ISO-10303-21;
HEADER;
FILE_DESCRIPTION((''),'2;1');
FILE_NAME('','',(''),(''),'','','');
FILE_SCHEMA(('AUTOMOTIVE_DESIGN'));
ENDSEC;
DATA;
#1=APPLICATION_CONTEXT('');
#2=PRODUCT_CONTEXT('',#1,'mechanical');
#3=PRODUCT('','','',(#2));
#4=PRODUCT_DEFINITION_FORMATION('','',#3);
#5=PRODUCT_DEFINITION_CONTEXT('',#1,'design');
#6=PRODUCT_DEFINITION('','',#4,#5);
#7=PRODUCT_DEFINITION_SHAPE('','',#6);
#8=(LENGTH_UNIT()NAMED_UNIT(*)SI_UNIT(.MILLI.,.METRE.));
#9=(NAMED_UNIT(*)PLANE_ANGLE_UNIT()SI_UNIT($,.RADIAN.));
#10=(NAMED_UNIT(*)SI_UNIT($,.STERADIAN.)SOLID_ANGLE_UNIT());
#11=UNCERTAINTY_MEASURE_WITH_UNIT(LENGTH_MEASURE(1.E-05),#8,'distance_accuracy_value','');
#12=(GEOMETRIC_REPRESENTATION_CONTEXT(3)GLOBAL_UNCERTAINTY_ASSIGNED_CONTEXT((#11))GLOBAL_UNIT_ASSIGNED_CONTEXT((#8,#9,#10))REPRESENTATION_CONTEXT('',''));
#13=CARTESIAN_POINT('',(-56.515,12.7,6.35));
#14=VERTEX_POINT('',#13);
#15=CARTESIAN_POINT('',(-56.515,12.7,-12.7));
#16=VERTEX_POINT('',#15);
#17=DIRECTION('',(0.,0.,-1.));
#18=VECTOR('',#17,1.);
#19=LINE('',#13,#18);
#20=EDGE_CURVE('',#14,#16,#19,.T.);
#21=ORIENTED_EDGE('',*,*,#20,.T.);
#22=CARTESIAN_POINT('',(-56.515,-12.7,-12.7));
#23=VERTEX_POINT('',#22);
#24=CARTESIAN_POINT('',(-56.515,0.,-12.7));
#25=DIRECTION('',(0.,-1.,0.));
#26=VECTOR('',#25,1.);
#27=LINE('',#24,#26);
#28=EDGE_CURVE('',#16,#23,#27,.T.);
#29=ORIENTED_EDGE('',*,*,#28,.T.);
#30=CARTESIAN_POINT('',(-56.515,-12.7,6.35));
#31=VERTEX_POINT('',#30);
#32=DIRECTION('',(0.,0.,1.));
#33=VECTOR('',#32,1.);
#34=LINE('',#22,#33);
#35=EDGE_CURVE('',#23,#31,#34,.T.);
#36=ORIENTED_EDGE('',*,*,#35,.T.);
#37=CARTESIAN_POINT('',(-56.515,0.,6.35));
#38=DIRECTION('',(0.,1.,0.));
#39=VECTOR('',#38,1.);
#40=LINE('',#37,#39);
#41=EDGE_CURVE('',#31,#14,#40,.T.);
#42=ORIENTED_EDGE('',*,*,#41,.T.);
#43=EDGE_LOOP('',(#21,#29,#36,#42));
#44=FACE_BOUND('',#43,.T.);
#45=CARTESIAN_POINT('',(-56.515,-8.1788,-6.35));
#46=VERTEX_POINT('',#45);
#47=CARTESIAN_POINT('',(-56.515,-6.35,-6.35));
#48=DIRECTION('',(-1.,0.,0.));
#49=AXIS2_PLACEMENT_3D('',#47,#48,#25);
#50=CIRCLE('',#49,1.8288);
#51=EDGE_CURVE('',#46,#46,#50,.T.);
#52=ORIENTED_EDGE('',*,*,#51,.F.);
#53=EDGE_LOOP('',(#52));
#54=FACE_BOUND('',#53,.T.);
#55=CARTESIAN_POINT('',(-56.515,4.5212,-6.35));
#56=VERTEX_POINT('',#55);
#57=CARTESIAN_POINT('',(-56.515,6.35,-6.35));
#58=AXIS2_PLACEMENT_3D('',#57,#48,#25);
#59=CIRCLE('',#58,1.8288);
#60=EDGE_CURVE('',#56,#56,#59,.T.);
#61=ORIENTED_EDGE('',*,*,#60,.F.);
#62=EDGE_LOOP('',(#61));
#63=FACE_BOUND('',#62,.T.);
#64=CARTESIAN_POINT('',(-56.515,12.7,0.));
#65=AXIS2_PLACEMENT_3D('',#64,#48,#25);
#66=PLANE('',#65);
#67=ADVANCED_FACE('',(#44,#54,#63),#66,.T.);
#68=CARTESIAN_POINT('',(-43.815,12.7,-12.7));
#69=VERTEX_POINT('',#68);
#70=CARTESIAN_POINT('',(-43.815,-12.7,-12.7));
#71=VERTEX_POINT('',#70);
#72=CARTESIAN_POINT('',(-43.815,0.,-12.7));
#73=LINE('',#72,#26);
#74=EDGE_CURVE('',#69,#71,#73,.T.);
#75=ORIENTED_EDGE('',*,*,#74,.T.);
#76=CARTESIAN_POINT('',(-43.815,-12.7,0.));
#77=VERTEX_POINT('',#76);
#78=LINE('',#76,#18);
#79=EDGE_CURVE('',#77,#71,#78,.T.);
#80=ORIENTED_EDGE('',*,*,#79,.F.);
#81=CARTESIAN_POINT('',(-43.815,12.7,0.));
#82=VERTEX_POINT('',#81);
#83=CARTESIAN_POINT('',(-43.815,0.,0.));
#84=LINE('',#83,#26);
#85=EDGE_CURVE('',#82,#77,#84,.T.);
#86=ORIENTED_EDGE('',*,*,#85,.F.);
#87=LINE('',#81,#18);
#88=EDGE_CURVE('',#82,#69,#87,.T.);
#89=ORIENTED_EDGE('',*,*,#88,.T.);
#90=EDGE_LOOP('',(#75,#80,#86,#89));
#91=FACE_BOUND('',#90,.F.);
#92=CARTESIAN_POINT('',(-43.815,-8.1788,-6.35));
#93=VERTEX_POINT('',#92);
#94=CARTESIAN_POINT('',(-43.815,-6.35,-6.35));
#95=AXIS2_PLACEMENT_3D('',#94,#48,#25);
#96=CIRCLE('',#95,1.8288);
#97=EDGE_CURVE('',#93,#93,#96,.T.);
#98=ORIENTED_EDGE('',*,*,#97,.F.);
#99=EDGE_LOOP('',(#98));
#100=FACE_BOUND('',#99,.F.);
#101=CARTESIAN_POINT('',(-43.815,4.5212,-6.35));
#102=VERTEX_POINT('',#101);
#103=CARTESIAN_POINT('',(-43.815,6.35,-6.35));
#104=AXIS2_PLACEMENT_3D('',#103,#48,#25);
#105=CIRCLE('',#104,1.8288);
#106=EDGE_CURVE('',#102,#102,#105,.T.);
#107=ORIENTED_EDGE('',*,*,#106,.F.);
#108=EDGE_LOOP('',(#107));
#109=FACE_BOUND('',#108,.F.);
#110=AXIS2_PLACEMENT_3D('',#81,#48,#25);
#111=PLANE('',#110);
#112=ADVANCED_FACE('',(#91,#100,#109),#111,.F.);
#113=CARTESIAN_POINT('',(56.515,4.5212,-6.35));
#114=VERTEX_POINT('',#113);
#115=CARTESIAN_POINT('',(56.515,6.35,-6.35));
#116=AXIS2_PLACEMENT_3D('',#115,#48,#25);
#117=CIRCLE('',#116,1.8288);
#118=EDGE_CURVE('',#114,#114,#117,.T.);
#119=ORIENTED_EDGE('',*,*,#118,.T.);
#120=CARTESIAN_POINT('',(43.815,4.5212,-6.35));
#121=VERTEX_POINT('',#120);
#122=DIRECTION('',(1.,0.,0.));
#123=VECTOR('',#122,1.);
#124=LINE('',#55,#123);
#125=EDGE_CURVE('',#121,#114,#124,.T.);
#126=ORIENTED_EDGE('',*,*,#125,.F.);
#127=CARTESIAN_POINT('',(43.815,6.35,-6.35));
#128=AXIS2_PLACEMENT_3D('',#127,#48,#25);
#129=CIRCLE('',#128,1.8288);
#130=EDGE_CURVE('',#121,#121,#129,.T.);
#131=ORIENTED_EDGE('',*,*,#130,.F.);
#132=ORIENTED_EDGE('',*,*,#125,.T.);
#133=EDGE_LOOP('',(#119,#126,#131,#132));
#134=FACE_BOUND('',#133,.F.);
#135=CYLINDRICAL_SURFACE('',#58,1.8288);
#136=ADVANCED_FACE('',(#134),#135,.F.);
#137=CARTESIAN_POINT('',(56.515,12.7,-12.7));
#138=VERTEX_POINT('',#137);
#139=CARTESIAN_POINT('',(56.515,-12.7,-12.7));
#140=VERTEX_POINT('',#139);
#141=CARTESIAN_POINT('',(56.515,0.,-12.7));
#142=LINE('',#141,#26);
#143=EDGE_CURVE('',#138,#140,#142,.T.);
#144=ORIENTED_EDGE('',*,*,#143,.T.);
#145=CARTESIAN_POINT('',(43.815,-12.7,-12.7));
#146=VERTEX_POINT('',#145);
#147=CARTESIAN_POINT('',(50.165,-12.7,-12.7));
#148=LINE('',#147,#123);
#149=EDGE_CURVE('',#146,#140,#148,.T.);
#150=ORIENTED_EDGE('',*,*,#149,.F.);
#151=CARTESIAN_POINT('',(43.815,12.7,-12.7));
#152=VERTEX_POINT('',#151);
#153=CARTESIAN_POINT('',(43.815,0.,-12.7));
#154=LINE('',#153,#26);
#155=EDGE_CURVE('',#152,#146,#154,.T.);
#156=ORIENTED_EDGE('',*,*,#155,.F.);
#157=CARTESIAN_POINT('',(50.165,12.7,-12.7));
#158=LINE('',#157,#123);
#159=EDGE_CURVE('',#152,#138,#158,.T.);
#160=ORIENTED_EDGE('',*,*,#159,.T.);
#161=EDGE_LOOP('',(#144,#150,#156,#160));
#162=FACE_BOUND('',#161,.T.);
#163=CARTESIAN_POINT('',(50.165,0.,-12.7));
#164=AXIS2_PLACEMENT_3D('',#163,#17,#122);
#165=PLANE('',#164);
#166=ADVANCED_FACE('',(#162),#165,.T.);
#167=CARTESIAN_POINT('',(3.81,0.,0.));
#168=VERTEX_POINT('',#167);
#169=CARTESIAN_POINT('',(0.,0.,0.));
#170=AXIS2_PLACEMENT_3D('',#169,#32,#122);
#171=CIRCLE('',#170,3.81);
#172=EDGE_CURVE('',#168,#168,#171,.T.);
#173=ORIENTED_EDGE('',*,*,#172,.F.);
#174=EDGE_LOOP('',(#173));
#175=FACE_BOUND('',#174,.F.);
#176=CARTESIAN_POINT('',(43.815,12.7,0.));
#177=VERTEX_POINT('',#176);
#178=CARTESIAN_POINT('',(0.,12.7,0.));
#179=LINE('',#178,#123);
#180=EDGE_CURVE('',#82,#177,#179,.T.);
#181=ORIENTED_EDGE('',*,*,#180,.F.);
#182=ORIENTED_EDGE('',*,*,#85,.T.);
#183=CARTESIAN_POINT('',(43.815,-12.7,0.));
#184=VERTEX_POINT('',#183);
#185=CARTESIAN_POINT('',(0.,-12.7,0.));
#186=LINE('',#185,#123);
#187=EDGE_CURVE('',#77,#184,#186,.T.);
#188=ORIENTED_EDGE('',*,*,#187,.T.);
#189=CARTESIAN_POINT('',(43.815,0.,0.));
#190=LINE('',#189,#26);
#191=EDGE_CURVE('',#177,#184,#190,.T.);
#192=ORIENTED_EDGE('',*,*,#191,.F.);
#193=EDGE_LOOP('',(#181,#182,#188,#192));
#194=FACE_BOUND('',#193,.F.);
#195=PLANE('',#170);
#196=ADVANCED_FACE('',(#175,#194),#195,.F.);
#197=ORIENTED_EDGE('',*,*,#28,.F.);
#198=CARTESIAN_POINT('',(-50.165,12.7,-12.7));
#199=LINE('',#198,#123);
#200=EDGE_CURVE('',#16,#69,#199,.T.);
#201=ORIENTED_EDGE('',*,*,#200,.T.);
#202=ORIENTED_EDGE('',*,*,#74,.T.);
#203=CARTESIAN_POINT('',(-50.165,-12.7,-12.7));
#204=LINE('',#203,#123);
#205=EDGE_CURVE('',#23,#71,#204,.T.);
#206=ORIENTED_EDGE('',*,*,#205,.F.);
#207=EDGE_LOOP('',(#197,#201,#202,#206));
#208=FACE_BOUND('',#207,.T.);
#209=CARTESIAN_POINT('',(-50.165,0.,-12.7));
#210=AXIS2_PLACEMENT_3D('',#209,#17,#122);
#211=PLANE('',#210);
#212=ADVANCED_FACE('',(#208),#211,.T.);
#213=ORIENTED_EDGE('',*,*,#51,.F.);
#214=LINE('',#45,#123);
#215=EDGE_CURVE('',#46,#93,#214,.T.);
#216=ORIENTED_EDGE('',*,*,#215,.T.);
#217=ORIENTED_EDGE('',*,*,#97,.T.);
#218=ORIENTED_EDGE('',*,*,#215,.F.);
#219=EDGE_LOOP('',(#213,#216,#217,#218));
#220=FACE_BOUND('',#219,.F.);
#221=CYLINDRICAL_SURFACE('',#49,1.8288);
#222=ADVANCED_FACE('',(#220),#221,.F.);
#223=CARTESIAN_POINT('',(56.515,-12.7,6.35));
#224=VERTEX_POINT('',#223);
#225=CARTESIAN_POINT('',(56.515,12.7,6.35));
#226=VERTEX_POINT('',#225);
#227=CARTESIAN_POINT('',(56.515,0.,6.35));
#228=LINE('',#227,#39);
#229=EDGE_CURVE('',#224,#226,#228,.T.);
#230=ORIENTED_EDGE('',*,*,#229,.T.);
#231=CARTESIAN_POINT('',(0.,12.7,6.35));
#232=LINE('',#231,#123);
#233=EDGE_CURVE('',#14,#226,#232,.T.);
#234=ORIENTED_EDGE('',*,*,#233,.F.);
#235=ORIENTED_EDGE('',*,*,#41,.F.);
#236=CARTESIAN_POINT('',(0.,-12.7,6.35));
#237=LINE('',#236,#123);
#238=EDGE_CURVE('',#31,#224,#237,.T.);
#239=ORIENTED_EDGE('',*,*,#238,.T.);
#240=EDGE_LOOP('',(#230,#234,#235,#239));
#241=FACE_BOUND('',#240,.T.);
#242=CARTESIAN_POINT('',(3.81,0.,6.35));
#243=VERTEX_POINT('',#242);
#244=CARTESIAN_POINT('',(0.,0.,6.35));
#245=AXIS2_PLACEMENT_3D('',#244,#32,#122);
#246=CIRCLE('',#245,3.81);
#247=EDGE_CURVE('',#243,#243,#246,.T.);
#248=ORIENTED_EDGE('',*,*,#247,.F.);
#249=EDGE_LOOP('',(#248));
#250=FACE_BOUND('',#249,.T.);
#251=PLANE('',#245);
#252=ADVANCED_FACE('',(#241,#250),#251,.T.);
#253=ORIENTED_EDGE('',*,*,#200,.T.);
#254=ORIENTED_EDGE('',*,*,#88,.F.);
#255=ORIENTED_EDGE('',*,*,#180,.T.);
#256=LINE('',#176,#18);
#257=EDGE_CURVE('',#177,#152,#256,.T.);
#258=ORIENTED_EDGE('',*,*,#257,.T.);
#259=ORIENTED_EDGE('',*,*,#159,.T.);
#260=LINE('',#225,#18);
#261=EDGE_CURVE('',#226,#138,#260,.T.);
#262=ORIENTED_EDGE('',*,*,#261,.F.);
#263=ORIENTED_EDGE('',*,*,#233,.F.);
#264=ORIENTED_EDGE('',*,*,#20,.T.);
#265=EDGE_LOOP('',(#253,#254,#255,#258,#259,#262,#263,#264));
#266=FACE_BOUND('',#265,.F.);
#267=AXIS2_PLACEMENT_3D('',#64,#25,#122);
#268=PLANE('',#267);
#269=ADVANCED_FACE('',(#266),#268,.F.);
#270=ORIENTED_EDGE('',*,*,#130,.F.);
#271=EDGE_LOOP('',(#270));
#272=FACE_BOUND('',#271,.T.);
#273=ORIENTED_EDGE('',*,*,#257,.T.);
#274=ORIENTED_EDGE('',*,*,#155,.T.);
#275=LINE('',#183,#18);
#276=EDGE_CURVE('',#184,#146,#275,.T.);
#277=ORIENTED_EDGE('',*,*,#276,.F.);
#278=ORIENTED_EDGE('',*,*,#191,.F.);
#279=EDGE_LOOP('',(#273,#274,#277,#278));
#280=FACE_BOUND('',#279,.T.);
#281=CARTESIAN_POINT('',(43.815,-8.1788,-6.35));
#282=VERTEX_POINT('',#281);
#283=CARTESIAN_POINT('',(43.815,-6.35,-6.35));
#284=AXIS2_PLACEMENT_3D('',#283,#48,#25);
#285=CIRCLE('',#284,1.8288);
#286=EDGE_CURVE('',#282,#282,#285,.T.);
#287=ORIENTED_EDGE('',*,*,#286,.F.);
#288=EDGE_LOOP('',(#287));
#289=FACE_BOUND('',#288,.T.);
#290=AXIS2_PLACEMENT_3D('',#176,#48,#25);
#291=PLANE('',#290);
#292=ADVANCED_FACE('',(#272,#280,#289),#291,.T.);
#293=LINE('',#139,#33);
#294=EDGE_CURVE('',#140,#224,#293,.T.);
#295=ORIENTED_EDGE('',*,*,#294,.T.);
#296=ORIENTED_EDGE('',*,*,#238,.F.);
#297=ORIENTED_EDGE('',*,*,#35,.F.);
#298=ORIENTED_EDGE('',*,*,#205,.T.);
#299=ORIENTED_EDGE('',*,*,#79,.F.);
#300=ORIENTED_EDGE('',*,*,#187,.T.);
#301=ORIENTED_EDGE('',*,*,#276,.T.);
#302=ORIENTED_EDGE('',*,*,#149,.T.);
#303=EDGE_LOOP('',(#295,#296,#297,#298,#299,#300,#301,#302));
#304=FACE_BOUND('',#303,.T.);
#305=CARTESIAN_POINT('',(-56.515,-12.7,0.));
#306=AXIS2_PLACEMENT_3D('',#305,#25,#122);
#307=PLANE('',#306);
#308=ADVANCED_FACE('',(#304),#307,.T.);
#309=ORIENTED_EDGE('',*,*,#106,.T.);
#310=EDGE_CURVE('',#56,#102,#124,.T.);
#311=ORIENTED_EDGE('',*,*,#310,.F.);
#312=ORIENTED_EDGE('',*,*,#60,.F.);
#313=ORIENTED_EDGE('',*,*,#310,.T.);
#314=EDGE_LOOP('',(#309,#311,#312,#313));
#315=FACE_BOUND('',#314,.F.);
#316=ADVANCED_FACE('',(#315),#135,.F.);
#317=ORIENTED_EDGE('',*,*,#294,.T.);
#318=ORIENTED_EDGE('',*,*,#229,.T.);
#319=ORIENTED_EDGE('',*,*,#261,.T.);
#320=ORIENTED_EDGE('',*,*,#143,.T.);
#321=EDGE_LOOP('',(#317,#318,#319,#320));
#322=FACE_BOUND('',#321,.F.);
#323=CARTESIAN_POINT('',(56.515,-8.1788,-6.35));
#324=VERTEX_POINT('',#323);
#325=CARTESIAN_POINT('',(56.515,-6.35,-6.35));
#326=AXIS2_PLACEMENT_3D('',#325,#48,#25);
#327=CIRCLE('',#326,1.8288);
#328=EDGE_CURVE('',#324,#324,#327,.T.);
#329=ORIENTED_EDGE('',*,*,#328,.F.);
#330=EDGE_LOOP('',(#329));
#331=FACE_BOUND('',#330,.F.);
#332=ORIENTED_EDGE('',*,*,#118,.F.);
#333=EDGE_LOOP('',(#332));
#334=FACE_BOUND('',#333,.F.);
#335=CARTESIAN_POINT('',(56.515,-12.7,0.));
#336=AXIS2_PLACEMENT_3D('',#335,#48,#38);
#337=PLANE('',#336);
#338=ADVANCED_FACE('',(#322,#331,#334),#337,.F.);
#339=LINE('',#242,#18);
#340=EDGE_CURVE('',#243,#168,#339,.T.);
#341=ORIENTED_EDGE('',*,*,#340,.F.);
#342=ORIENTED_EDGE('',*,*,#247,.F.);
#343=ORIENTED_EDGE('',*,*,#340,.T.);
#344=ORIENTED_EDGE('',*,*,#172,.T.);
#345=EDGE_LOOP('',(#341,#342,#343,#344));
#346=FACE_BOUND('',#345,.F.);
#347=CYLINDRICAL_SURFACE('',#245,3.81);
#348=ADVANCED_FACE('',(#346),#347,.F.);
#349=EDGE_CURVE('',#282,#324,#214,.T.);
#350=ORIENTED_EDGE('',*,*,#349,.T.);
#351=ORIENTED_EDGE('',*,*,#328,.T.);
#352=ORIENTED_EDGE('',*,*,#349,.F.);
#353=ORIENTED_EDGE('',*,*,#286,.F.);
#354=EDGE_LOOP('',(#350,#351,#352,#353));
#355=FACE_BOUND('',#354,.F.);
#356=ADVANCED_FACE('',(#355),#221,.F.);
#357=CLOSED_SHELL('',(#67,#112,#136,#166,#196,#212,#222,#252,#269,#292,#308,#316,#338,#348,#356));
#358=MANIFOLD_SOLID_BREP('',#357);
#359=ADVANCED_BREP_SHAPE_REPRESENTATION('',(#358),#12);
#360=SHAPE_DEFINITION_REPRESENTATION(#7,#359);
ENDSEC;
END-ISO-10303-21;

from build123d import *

# Parameters (mm, degrees)
F0_W     = 113.03
F0_H     = 25.4
F1_DEPTH = 6.35
F2_R     = 3.81
F3_DEPTH = 6.351
F4_W     = 12.7
F4_H     = 25.4
F5_DEPTH = 12.7
F6_R     = 1.8288
F7_DEPTH = 254


with BuildPart() as f1:
    # F0 (on Top) → F1 (new body)
    with BuildSketch(Plane.XY):
        Rectangle(F0_W, F0_H)
    extrude(amount=F1_DEPTH)

    # F2 (on face) → F3 (cut, through all)
    with BuildSketch(Plane.XY.offset(6.35)):
        Circle(F2_R)
    extrude(amount=-F3_DEPTH, mode=Mode.SUBTRACT)

    # F4 (on face) → F5 (join)
    with BuildSketch(Plane(origin=(0, 0, 0), x_dir=(1, 0, 0), z_dir=(0, 0, -1))):
        with Locations((-50.165, 0)):
            Rectangle(F4_W, F4_H)
        with Locations((50.165, 0)):
            Rectangle(F4_W, F4_H)
    extrude(amount=F5_DEPTH)

    # F6 (on face) → F7 (cut)
    with BuildSketch(Plane(origin=(-56.515, 0, 0), x_dir=(0, -1, 0), z_dir=(-1, 0, 0))):
        with Locations((-6.35, -6.35)):
            Circle(F6_R)
        with Locations((6.35, -6.35)):
            Circle(F6_R)
    extrude(amount=-F7_DEPTH, mode=Mode.SUBTRACT)


solid = f1.part
